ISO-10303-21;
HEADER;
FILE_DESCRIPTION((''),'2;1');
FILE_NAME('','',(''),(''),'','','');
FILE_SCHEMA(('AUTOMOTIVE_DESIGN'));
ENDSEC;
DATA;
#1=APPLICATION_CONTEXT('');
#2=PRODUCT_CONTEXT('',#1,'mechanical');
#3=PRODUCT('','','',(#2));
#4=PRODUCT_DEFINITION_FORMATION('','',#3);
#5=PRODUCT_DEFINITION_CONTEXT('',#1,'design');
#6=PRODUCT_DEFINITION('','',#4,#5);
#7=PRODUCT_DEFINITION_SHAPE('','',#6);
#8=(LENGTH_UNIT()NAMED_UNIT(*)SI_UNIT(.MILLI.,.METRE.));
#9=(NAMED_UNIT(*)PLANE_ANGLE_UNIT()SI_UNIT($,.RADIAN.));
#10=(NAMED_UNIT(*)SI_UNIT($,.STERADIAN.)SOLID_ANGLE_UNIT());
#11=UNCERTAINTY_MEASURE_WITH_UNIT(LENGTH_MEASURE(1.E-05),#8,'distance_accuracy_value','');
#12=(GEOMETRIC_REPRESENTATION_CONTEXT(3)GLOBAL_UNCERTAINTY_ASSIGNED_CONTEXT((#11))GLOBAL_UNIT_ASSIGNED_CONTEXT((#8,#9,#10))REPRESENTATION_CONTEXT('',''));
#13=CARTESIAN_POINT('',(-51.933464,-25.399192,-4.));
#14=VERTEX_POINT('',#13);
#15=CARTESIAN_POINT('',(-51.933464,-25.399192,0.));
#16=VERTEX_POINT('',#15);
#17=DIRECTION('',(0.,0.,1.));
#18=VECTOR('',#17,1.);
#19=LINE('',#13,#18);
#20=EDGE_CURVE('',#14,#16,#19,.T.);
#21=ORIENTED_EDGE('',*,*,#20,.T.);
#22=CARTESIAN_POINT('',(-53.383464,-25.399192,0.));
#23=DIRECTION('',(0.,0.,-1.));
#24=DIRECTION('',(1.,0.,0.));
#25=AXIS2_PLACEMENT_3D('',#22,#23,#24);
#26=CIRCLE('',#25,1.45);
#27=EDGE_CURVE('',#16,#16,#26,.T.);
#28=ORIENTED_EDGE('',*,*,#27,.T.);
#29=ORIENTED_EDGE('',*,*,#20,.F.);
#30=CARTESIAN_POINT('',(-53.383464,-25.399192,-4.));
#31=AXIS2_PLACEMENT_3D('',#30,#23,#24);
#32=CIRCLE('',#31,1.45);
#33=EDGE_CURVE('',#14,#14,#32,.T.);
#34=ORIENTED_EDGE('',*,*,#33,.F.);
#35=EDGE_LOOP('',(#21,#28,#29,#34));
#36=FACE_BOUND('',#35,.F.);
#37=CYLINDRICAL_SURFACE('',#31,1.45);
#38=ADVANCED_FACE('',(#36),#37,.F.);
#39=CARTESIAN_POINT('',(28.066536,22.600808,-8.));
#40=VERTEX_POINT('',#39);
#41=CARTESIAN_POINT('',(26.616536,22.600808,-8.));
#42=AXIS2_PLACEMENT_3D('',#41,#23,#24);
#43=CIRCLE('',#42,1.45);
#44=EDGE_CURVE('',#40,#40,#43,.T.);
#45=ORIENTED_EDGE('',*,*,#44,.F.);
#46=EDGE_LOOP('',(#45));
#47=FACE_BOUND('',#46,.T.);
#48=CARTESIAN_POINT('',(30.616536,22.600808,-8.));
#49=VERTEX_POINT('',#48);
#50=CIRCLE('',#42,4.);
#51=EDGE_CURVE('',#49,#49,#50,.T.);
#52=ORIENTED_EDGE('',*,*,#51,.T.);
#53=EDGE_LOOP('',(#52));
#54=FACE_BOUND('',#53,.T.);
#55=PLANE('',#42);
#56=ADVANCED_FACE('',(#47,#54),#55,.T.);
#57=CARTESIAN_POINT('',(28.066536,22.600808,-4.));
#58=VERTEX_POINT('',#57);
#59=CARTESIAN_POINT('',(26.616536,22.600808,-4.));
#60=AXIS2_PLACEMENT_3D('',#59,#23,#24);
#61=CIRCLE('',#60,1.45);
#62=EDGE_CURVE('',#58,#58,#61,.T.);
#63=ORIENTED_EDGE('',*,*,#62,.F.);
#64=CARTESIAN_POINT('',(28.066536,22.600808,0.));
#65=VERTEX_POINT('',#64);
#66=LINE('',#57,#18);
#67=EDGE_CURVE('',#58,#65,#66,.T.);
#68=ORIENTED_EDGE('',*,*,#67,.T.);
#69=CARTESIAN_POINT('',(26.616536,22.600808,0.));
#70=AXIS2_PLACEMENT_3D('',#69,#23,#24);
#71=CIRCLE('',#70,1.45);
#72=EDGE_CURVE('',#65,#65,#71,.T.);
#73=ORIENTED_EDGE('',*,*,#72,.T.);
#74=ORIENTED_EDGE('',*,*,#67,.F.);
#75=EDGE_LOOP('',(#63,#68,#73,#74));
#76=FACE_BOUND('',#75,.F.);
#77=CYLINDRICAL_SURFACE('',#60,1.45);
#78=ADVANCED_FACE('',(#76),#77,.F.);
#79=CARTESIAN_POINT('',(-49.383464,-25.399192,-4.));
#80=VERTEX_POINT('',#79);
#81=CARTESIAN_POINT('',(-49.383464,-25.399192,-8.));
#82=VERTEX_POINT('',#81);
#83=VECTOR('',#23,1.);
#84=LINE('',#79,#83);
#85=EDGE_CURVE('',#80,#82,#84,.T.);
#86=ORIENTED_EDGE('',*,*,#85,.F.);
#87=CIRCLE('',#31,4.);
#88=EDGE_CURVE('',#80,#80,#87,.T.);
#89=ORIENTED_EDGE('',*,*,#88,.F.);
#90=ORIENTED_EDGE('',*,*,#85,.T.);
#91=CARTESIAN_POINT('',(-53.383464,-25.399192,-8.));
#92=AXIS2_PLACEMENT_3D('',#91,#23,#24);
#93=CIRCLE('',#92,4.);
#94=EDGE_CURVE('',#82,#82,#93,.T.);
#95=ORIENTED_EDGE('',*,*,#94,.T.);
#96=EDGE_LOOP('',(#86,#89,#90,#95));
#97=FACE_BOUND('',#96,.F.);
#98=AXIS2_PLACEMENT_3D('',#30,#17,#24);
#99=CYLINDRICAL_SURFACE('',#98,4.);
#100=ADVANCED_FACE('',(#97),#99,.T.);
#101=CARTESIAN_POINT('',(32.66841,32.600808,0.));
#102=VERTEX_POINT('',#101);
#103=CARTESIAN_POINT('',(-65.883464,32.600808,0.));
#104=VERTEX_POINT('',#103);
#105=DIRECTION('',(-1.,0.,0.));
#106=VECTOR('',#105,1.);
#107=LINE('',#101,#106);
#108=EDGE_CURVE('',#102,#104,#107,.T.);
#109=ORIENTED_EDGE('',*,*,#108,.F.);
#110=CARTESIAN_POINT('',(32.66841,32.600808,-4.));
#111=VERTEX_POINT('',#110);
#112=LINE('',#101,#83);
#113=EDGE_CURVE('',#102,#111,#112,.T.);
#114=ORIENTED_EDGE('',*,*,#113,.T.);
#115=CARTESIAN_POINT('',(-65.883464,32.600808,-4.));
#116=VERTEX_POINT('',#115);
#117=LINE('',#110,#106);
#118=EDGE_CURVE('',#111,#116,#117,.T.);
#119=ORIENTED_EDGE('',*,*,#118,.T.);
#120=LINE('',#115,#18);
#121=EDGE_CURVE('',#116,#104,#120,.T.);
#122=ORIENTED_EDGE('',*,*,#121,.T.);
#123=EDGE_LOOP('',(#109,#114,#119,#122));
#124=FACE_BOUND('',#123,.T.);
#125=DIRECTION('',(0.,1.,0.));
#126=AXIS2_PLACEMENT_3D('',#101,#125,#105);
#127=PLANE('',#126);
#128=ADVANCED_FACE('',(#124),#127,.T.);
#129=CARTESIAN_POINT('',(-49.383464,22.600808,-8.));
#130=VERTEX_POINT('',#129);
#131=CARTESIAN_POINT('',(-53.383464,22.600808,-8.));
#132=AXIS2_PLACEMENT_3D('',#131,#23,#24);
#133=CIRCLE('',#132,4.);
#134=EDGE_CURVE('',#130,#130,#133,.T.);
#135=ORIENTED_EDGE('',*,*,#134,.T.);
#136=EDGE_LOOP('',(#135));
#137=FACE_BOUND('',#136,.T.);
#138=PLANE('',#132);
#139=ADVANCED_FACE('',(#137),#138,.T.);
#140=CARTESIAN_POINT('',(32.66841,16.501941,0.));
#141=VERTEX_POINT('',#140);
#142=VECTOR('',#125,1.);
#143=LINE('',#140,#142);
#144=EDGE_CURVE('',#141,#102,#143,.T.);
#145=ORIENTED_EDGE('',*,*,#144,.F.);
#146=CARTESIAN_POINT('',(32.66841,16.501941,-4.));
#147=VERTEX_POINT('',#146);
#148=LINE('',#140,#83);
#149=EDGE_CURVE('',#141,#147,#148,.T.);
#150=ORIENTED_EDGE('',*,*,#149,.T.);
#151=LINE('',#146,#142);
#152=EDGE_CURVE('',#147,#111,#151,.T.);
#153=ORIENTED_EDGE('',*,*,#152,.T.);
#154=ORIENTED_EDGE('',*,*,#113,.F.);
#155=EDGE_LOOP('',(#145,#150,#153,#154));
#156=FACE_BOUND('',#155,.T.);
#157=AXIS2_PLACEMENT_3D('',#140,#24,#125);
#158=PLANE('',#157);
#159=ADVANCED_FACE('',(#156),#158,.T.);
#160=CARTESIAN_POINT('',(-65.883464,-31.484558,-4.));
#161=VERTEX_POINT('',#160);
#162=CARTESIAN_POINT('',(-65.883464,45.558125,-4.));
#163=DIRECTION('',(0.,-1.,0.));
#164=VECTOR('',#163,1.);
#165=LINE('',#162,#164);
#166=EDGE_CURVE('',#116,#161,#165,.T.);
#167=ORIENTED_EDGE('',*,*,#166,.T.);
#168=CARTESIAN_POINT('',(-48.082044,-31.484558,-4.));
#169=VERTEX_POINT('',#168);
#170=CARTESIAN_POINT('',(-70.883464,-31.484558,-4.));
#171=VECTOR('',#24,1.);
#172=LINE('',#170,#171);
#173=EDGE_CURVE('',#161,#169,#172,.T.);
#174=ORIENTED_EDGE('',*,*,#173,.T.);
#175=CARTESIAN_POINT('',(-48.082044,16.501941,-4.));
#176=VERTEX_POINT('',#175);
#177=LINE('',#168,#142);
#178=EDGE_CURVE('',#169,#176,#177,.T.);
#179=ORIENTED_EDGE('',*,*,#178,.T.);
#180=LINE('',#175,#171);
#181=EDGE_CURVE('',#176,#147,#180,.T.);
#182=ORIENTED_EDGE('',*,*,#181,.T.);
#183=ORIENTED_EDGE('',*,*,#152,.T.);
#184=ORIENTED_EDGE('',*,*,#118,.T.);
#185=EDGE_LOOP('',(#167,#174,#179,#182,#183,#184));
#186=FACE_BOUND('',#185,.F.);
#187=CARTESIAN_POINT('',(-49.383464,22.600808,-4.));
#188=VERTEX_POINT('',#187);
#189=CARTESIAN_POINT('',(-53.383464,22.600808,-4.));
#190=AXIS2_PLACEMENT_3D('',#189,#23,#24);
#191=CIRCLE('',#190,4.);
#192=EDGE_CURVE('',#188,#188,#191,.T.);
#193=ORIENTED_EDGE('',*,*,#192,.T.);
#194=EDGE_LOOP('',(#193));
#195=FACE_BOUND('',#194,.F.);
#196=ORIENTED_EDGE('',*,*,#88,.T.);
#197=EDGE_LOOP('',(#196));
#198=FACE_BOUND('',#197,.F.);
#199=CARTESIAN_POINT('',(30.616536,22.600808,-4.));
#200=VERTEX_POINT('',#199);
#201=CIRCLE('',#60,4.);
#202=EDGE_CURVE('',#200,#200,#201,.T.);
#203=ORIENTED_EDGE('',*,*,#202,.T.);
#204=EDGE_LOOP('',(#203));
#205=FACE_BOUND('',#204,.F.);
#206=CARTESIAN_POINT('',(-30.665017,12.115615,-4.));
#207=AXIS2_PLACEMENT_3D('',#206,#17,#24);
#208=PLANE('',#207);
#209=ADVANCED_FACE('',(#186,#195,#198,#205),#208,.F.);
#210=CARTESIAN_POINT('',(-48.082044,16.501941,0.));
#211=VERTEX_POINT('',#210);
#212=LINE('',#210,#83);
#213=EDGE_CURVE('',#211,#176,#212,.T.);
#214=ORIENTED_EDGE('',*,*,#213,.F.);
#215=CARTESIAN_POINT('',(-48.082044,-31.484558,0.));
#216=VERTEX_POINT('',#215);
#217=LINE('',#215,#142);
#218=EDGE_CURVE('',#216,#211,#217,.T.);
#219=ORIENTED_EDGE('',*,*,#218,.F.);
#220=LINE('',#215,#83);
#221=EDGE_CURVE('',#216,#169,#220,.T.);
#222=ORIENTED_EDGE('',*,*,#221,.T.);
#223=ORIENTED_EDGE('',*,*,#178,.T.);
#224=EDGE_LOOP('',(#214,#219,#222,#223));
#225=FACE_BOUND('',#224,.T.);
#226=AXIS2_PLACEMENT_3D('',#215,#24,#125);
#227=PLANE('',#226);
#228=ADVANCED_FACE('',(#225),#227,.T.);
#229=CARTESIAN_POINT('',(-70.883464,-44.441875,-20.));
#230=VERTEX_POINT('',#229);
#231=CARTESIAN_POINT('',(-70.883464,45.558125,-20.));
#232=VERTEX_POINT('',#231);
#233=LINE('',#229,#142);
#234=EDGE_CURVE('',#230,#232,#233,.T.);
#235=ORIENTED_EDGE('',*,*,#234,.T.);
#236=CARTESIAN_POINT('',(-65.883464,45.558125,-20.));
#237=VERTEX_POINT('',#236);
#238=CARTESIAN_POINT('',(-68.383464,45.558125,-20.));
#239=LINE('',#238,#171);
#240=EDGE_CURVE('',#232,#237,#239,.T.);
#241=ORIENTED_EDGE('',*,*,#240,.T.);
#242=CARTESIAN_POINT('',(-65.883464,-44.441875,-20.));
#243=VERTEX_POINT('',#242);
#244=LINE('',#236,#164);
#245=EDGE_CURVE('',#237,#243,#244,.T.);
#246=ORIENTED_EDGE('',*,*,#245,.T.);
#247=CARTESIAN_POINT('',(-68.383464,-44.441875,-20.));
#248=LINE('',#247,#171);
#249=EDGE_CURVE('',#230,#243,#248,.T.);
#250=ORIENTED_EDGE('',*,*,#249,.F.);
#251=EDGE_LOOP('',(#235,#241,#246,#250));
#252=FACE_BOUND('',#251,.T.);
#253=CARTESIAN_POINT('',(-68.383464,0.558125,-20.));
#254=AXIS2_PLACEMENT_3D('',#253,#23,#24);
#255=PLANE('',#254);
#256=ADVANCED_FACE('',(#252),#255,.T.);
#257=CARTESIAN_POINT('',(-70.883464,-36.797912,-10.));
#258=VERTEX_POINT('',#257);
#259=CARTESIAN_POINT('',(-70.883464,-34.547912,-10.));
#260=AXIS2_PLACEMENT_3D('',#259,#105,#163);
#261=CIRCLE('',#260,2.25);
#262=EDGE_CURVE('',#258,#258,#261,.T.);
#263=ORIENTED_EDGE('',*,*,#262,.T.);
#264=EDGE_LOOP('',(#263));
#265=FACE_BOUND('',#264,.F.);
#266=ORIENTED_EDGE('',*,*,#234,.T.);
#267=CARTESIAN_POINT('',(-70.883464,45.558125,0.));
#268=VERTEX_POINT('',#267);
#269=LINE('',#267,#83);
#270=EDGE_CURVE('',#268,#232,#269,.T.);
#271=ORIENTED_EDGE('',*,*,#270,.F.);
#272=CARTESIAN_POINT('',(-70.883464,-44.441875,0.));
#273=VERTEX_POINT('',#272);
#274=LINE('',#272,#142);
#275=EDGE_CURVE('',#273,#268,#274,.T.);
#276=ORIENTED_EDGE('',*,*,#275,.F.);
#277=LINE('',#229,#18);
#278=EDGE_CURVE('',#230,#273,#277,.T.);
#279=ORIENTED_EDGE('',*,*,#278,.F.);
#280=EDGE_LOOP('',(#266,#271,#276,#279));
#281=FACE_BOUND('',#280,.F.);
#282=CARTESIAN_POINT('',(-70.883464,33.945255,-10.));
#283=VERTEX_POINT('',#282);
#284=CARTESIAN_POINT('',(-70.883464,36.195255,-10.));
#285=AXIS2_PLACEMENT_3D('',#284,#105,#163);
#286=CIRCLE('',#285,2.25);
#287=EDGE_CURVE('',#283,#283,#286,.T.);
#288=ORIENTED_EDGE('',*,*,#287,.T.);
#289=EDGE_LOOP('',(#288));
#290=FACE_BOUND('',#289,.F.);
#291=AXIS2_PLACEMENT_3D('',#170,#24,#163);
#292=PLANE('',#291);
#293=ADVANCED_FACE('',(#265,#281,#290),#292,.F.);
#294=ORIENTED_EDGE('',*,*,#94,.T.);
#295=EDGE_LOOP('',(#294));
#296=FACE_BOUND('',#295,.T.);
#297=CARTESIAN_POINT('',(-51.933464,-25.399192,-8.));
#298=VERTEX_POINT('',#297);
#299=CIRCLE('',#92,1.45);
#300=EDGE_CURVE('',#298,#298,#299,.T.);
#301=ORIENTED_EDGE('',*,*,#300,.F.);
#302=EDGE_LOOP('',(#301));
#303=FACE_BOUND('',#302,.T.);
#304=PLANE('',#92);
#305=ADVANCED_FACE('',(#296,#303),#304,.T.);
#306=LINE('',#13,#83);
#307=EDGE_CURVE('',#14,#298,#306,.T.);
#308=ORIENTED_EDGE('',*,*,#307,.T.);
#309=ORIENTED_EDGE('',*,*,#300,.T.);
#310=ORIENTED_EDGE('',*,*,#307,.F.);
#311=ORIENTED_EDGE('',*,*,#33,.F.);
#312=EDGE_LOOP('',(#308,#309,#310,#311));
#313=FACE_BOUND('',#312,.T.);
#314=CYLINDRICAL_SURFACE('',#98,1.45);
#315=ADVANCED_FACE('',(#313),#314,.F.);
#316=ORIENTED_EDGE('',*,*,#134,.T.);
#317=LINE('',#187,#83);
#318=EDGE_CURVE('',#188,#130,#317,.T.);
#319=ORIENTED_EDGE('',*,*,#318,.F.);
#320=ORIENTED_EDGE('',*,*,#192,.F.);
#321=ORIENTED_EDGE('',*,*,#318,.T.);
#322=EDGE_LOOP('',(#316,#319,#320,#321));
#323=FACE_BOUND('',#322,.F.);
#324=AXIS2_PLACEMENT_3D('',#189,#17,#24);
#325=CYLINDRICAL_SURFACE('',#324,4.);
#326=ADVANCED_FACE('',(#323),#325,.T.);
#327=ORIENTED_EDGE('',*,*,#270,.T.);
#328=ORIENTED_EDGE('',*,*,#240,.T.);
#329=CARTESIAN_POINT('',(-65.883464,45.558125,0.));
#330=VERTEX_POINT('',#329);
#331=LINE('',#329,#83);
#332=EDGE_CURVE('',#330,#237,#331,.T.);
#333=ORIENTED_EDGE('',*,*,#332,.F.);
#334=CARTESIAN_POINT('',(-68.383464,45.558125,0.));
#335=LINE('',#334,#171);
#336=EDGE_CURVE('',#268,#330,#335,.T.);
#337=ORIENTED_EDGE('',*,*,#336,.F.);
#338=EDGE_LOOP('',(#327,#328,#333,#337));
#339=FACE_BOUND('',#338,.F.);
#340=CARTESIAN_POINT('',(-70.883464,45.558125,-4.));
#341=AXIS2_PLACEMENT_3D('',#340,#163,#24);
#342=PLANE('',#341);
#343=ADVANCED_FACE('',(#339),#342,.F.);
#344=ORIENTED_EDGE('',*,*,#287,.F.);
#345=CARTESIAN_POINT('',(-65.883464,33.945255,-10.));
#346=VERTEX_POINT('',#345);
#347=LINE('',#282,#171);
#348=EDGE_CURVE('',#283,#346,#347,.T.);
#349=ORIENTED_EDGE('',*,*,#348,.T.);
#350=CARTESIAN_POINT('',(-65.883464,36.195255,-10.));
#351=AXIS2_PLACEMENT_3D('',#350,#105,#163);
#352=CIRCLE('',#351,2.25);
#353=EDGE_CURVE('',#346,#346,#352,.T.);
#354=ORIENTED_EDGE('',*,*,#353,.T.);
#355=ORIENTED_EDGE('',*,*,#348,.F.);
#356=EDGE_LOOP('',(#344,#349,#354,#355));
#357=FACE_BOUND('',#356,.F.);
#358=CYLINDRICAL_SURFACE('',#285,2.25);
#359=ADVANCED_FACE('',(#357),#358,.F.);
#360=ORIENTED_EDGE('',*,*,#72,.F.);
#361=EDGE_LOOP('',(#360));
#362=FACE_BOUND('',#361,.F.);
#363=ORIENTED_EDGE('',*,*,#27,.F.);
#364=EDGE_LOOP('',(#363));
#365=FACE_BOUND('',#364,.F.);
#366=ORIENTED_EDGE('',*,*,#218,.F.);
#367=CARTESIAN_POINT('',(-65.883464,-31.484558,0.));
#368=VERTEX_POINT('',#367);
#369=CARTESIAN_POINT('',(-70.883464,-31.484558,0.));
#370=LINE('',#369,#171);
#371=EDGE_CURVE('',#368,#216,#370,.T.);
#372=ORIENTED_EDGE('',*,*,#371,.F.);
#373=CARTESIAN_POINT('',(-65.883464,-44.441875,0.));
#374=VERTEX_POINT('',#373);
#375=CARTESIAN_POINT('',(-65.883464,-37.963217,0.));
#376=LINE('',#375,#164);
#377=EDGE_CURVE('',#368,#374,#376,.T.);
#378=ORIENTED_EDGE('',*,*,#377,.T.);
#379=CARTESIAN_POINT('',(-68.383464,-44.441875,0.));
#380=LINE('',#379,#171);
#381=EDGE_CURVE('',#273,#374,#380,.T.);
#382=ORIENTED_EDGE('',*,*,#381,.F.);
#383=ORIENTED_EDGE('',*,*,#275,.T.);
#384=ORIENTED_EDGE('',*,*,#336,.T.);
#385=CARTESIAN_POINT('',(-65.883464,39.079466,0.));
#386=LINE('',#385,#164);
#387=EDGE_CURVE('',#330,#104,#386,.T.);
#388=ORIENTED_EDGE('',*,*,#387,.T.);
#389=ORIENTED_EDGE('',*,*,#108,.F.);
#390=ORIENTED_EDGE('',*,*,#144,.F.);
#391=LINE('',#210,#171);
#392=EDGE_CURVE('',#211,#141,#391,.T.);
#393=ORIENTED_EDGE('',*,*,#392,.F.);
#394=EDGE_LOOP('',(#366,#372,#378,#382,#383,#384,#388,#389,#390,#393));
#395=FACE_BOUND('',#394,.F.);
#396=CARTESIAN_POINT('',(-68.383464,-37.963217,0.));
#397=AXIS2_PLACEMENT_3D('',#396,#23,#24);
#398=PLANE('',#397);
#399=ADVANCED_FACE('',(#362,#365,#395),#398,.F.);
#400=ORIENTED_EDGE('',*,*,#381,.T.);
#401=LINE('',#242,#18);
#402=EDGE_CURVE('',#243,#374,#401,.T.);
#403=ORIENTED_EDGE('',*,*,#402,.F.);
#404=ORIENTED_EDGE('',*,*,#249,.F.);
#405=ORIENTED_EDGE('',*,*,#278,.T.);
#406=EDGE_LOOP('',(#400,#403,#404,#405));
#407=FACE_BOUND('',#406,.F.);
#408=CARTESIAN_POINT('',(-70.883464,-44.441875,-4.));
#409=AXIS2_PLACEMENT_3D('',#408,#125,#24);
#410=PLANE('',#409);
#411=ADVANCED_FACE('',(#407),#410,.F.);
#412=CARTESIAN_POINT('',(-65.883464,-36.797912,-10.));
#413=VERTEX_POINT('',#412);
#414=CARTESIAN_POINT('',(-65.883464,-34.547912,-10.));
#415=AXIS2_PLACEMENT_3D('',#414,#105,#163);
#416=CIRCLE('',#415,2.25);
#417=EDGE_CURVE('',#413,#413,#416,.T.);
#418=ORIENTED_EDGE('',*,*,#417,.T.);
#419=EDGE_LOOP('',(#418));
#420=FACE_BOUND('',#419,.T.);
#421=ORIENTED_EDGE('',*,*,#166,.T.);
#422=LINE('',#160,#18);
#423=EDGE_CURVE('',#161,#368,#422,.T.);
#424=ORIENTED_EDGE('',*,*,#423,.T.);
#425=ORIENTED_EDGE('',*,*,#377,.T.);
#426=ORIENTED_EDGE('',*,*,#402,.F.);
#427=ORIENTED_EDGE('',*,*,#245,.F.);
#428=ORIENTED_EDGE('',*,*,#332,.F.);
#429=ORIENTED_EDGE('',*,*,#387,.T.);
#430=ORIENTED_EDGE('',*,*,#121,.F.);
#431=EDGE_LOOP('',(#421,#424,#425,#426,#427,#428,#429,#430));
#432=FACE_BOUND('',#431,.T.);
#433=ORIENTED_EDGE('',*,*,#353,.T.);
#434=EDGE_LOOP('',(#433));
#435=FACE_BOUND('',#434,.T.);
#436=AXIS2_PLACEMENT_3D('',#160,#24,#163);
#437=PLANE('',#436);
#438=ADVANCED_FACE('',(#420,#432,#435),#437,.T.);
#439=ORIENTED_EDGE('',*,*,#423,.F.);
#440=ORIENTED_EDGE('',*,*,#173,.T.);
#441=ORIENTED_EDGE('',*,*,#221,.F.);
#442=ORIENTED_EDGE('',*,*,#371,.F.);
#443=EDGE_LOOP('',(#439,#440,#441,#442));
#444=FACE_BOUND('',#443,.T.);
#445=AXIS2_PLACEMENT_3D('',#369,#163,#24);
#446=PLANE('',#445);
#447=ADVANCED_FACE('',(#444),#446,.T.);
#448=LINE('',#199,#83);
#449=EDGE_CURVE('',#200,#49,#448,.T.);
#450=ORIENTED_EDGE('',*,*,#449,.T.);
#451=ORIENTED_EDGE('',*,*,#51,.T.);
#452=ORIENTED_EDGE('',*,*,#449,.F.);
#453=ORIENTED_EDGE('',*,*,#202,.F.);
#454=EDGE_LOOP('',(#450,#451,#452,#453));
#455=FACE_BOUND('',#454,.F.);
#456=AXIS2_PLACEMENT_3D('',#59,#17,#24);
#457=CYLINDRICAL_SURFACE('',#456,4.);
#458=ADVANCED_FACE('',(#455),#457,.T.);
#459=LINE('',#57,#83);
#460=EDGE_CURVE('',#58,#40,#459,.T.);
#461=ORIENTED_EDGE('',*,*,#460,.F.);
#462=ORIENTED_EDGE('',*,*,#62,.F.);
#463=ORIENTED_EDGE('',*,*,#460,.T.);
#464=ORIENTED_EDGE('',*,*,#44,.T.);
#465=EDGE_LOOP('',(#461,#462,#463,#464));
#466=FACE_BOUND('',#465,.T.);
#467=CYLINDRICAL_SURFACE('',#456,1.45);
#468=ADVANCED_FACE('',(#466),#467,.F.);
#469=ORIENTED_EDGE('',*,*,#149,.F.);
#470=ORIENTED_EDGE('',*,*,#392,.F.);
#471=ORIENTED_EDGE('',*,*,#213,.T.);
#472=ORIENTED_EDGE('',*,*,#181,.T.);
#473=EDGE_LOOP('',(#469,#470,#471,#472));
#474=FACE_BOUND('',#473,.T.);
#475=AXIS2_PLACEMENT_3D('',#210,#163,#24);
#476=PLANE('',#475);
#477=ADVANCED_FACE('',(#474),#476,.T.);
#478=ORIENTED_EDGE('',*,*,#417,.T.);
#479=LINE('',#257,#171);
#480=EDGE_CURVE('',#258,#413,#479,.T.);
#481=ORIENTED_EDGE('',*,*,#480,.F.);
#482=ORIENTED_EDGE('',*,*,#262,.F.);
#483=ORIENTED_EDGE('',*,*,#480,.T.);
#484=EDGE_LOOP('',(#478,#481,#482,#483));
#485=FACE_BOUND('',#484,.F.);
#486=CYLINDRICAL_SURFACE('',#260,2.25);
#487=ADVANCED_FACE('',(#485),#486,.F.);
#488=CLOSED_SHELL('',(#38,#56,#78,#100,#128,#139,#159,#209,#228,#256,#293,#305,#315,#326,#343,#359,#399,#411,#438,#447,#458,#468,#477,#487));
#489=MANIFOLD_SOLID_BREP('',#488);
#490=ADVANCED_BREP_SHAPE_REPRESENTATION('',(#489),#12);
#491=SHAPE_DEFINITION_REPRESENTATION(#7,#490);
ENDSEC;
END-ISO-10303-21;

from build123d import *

# Parameters (mm, degrees)
F1_DEPTH = 4
F2_R     = 4
F2_R_2   = 1.45
F3_DEPTH = 4
F2_W     = 5
F2_H     = 64.0853656404
F2_H_2   = 12.9573171798
F4_DEPTH = 16
F5_R     = 2.25
F6_DEPTH = 25
F7_DEPTH = 4
F8_DEPTH = 25


with BuildPart() as f1:
    # F0 (on Top) → F1 (new body)
    with BuildSketch(Plane.XY):
        Polygon((32.6684095042, 32.6008076754), (-70.8834637033, 32.6008076754), (-70.8834637033, -31.4845579651), (-48.0820438839, -31.4845579651), (-48.0820438839, 16.5019411054), (32.6684095042, 16.5019411054), align=None)
    extrude(amount=-F1_DEPTH)

    # F2 (on face) → F3 (join)
    with BuildSketch(Plane(origin=(0, 0, -4), x_dir=(1, 0, 0), z_dir=(0, 0, -1))):
        with Locations((-53.3834637033, 25.3991923246)):
            Circle(F2_R)
        with Locations((-53.3834637033, 25.3991923246)):
            Circle(F2_R_2, mode=Mode.SUBTRACT)
        with Locations((26.6165362967, -22.6008076754)):
            Circle(F2_R)
        with Locations((26.6165362967, -22.6008076754)):
            Circle(F2_R_2, mode=Mode.SUBTRACT)
        with Locations((-53.3834637033, -22.6008076754)):
            Circle(F2_R)
    extrude(amount=F3_DEPTH)

    # F2 (on face) → F4 (join)
    with BuildSketch(Plane(origin=(0, 0, -4), x_dir=(1, 0, 0), z_dir=(0, 0, -1))):
        with Locations((-68.3834637033, -0.5581248552)):
            Rectangle(F2_W, F2_H)
        with Locations((-68.3834637033, 37.963216555)):
            Rectangle(F2_W, F2_H_2)
        with Locations((-68.3834637033, -39.0794662653)):
            Rectangle(F2_W, F2_H_2)
    extrude(amount=F4_DEPTH)

    # F5 (on face) → F6 (cut)
    with BuildSketch(Plane(origin=(-70.8834637033, 0, 0), x_dir=(0, -1, 0), z_dir=(-1, 0, 0))):
        with Locations((-36.1952548007, -10)):
            Circle(F5_R)
        with Locations((34.5479122297, -10)):
            Circle(F5_R)
    extrude(amount=-F6_DEPTH, mode=Mode.SUBTRACT)

    # F2 (on face) → F7 (join)
    with BuildSketch(Plane(origin=(0, 0, -4), x_dir=(1, 0, 0), z_dir=(0, 0, -1))):
        with Locations((-68.3834637033, 37.963216555)):
            Rectangle(F2_W, F2_H_2)
        with Locations((-68.3834637033, -39.0794662653)):
            Rectangle(F2_W, F2_H_2)
    extrude(amount=-F7_DEPTH)

    # F2 (on face) → F8 (cut)
    with BuildSketch(Plane(origin=(0, 0, -4), x_dir=(1, 0, 0), z_dir=(0, 0, -1))):
        with Locations((-53.3834637033, 25.3991923246)):
            Circle(F2_R_2)
        with Locations((26.6165362967, -22.6008076754)):
            Circle(F2_R_2)
    extrude(amount=-F8_DEPTH, mode=Mode.SUBTRACT)


solid = f1.part
